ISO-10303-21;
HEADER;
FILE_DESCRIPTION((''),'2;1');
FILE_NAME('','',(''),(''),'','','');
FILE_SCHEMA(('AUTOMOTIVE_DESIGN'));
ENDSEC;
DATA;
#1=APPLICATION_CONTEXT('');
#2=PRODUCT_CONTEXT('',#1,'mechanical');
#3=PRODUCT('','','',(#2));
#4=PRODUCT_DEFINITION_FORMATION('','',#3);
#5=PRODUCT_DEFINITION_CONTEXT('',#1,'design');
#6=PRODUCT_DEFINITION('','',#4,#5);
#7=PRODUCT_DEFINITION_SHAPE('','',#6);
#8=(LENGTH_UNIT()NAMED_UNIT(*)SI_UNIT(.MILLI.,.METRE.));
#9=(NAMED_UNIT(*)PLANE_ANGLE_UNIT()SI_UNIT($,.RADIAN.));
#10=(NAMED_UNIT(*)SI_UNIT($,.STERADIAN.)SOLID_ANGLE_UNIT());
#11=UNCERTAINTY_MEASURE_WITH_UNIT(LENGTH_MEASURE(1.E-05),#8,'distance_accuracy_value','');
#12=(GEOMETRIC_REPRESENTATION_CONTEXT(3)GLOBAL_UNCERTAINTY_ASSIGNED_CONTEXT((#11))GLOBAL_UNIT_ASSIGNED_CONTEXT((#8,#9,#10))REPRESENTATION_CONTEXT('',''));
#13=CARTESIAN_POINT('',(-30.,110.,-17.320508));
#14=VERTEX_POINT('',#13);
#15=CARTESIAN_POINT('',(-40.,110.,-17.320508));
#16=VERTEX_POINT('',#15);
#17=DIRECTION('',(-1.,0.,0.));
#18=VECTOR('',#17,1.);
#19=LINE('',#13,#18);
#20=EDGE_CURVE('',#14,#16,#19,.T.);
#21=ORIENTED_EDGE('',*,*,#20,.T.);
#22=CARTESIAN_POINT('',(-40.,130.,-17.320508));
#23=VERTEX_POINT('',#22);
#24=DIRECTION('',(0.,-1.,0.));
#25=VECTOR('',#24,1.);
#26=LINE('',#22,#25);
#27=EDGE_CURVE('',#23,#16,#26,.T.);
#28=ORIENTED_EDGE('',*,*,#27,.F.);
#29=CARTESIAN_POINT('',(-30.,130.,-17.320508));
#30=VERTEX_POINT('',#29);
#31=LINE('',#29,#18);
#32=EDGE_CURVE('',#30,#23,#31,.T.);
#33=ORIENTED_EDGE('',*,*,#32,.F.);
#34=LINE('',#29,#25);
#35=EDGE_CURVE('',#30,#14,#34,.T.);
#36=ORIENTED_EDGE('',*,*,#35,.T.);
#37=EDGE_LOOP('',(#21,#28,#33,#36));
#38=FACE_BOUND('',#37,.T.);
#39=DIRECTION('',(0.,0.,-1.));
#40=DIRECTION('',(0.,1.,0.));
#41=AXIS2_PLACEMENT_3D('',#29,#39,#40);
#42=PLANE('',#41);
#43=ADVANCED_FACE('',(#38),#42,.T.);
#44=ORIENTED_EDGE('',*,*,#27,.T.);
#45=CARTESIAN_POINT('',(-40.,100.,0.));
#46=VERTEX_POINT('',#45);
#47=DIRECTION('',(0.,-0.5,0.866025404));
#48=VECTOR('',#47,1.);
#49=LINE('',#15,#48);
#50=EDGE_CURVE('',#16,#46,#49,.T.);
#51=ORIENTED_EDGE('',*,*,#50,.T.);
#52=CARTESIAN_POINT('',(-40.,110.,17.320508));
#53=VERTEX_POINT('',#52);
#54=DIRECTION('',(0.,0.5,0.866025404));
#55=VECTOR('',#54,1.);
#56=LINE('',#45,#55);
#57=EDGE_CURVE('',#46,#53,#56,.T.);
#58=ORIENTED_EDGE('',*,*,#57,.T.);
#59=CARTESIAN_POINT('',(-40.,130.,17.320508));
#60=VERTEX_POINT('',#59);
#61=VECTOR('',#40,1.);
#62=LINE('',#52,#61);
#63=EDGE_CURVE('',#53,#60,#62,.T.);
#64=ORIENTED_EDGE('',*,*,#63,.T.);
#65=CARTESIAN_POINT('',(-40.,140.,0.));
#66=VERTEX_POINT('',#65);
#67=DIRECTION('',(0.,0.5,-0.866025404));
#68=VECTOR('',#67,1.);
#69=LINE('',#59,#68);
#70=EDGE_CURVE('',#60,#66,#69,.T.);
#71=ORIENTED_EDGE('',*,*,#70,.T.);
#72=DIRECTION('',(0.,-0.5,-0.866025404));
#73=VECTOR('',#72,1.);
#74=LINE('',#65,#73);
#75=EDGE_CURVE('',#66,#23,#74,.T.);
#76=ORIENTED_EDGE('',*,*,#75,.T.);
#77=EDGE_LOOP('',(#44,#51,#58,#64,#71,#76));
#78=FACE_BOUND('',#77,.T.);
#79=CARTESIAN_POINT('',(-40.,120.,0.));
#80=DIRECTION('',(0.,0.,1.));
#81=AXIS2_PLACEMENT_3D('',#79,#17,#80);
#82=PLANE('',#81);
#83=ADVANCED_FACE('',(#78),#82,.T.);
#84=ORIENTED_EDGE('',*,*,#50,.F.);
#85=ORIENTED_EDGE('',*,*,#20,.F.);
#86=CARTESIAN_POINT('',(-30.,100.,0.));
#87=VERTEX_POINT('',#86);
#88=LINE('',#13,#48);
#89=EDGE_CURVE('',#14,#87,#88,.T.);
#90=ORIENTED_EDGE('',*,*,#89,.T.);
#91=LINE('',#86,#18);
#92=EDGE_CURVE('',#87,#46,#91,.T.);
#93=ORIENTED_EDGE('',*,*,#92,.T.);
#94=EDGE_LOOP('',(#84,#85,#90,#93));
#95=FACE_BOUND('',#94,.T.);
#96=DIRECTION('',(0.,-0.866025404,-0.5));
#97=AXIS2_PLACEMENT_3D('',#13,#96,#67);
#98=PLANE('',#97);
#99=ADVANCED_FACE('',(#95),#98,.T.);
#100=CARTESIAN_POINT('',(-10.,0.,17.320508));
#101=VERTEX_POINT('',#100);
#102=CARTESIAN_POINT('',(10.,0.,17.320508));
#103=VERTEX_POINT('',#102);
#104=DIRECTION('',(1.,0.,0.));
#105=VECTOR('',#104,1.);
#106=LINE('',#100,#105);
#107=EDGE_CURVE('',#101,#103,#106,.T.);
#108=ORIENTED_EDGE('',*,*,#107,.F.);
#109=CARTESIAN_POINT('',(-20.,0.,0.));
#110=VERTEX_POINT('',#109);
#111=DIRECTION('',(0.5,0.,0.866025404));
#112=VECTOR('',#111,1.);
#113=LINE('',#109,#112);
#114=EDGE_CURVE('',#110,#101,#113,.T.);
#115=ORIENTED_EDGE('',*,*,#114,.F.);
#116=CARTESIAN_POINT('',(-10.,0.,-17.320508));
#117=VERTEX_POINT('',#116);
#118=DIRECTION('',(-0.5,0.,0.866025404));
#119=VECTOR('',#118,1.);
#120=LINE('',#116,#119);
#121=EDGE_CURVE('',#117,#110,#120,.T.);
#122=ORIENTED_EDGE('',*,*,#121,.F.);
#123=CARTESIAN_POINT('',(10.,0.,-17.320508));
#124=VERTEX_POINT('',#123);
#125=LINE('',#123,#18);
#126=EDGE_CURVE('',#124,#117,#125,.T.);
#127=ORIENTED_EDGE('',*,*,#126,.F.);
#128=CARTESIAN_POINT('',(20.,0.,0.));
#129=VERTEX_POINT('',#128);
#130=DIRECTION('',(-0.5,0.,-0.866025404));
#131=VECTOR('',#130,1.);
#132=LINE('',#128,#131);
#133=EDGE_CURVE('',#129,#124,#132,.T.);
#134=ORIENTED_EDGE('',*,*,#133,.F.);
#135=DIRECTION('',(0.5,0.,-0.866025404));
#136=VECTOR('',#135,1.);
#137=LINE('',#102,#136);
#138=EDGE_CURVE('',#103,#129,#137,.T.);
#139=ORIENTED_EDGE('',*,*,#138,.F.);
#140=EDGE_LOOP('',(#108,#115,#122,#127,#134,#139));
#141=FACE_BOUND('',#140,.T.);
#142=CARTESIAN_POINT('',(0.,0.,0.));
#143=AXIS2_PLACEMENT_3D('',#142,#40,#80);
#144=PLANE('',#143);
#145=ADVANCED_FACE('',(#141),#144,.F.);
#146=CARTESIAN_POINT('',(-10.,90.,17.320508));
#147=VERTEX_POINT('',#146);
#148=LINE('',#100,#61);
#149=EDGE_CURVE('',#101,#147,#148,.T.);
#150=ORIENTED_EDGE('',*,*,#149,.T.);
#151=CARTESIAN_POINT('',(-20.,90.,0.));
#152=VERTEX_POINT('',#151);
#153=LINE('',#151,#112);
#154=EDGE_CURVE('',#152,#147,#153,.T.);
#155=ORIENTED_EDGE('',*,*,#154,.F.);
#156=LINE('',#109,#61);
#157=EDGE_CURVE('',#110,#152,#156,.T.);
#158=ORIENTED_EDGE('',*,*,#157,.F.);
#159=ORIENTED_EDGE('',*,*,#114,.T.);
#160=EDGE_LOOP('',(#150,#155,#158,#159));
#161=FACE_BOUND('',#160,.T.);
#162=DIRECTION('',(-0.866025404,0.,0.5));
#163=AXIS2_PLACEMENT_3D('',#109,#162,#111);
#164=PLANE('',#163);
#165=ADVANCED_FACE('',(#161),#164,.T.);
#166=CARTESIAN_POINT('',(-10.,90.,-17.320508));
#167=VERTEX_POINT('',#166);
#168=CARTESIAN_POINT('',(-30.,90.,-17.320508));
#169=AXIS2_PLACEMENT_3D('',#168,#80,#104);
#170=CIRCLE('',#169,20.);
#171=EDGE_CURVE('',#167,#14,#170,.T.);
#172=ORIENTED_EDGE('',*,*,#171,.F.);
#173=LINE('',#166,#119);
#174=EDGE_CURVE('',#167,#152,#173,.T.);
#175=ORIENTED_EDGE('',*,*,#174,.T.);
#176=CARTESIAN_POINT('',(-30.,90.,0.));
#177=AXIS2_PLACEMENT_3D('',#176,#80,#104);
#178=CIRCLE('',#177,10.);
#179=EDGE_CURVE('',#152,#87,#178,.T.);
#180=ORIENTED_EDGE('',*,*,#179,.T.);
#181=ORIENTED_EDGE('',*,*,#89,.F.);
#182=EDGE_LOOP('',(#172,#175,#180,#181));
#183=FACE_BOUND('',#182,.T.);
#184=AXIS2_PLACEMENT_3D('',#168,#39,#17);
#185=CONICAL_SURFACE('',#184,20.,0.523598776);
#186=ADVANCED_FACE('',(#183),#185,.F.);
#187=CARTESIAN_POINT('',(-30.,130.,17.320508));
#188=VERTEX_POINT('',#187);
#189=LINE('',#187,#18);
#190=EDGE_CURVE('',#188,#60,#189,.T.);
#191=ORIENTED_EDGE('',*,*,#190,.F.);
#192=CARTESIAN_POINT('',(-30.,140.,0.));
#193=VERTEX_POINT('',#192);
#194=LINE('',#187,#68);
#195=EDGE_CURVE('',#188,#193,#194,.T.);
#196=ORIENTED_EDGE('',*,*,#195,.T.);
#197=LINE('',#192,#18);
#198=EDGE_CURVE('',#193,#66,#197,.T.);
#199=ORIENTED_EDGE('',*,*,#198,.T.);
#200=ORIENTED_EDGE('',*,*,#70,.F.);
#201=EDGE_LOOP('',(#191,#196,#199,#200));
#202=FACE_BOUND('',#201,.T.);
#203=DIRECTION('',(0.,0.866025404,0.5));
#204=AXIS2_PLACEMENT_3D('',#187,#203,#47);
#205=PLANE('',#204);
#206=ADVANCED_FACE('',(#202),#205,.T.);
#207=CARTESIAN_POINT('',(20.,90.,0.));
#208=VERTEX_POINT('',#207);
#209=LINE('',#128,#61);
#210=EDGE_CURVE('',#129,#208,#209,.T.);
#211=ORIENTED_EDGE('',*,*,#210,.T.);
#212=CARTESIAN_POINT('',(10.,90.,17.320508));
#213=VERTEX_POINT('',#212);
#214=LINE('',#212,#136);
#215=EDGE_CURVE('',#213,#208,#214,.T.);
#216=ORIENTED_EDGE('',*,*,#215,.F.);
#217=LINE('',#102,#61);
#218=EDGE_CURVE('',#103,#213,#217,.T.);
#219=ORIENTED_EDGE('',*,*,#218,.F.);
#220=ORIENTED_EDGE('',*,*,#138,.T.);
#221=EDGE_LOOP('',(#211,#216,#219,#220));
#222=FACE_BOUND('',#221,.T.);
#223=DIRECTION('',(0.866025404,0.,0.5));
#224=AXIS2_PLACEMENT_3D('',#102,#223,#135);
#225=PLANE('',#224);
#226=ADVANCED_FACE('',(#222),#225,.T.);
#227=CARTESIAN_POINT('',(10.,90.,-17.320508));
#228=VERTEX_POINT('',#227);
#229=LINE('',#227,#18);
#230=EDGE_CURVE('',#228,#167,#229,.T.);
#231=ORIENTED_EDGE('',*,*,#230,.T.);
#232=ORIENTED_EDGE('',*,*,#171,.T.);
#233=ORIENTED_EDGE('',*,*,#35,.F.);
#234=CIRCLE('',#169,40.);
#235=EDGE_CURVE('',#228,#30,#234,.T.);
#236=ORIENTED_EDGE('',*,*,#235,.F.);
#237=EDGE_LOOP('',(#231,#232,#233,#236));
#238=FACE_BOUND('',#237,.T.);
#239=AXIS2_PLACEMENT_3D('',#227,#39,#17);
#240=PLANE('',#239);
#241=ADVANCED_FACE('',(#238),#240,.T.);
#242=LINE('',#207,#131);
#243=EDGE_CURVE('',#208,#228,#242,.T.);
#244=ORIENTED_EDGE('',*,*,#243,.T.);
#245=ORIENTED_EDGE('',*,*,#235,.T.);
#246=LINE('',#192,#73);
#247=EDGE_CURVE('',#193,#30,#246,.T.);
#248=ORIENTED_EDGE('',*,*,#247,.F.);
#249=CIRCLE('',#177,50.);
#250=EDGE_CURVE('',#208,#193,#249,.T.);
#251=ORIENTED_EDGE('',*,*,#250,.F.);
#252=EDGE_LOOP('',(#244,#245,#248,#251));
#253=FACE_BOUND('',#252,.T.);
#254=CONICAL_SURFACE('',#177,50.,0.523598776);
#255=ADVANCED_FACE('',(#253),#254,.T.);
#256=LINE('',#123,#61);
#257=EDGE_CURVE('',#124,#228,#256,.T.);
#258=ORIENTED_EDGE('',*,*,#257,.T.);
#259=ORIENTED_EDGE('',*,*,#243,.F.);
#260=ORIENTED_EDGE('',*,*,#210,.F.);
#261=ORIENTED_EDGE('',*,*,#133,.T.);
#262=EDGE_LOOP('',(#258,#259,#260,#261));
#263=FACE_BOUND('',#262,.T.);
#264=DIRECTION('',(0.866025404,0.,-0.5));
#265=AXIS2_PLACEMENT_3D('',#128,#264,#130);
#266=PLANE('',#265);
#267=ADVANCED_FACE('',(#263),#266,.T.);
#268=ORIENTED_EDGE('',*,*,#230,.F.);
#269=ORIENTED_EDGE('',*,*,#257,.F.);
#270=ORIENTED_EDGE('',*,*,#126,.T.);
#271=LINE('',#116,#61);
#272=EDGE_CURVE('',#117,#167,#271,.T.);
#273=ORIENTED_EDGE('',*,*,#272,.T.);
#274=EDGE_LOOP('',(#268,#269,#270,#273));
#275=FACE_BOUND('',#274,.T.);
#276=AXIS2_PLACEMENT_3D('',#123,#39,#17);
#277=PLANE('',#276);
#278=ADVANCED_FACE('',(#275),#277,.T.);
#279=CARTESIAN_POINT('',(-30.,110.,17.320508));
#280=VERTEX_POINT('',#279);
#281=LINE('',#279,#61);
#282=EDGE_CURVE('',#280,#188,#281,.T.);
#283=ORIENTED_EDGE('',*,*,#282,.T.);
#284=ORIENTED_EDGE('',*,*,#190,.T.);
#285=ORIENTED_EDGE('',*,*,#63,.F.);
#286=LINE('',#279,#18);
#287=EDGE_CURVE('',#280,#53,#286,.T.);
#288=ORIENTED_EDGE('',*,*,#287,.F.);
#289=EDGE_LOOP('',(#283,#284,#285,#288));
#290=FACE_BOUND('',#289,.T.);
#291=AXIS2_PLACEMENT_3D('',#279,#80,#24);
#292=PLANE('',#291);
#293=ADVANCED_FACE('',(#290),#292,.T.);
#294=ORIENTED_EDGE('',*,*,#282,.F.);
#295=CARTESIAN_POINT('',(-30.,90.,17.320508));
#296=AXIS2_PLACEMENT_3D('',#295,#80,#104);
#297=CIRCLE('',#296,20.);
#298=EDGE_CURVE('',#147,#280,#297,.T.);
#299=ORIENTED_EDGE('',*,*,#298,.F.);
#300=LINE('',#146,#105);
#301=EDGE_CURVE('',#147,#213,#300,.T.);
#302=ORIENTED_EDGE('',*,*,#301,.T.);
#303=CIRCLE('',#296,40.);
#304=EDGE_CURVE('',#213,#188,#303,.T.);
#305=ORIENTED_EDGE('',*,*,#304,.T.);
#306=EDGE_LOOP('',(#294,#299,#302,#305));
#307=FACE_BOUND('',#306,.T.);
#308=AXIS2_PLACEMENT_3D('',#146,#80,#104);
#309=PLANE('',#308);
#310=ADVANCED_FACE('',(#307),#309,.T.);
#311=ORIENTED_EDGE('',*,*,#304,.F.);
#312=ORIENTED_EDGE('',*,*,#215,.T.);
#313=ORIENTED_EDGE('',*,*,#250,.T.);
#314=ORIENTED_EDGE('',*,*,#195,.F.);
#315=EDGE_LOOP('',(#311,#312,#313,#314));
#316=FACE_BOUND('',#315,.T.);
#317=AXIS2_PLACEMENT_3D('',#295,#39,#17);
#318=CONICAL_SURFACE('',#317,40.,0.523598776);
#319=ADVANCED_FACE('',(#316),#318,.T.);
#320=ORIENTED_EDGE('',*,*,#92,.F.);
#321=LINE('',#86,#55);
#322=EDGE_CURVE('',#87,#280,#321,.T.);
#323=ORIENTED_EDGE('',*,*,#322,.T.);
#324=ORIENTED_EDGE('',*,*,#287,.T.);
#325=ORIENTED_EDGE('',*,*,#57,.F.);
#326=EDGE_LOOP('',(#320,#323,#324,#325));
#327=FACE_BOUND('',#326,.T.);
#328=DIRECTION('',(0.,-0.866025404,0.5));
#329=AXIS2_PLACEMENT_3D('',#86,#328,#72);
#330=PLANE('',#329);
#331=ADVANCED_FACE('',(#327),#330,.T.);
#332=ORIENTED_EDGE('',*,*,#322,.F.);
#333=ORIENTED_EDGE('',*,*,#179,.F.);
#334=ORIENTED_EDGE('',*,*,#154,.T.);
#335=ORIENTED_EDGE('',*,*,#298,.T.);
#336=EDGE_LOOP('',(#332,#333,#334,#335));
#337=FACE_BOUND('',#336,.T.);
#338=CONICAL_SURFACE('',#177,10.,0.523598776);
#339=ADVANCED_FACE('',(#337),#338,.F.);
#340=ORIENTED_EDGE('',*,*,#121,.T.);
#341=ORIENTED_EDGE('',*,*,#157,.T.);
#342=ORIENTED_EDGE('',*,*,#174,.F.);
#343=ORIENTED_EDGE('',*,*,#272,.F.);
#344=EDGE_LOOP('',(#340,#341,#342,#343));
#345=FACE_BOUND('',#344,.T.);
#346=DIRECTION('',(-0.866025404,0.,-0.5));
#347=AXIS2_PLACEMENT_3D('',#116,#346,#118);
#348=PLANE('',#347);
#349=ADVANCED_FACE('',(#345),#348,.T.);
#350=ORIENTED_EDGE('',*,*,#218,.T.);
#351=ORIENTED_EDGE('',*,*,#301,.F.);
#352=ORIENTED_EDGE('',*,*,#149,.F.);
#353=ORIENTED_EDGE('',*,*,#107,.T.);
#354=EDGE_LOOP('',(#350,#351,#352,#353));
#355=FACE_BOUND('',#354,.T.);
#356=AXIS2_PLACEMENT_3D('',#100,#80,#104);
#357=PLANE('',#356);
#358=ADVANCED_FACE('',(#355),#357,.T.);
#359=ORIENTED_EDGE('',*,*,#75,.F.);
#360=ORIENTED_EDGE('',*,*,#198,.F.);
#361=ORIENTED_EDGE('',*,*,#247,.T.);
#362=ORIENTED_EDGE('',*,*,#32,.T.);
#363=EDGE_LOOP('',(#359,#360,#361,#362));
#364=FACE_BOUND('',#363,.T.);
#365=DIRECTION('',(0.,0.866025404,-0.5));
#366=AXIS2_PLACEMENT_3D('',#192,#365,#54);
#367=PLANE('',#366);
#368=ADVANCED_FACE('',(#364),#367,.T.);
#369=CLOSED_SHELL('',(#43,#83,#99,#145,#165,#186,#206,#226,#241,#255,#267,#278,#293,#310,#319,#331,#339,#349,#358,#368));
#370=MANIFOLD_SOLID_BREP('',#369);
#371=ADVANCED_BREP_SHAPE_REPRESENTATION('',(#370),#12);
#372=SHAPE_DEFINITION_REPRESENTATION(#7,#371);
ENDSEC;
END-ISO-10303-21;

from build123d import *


with BuildPart() as part:
    # Sweep3: sweep along a path in Sketch5
    with BuildLine(Plane.XY) as sweep3_path:
        Line((0, 0), (0, 90))
        ThreePointArc((0, 90), (-8.786796564, 111.213203436), (-30, 120))
        Line((-30, 120), (-40, 120))
    # Sketch2 → Sweep3 (sweep)
    with BuildSketch(Plane(origin=(0, 0, 0), x_dir=(1, 0, 0), z_dir=(0, 1, 0))):
        Polygon((10, -17.320508076), (20, 0), (10, 17.320508076), (-10, 17.320508076), (-20, 0), (-10, -17.320508076), align=None)
    sweep(path=sweep3_path.line)


solid = part.part
